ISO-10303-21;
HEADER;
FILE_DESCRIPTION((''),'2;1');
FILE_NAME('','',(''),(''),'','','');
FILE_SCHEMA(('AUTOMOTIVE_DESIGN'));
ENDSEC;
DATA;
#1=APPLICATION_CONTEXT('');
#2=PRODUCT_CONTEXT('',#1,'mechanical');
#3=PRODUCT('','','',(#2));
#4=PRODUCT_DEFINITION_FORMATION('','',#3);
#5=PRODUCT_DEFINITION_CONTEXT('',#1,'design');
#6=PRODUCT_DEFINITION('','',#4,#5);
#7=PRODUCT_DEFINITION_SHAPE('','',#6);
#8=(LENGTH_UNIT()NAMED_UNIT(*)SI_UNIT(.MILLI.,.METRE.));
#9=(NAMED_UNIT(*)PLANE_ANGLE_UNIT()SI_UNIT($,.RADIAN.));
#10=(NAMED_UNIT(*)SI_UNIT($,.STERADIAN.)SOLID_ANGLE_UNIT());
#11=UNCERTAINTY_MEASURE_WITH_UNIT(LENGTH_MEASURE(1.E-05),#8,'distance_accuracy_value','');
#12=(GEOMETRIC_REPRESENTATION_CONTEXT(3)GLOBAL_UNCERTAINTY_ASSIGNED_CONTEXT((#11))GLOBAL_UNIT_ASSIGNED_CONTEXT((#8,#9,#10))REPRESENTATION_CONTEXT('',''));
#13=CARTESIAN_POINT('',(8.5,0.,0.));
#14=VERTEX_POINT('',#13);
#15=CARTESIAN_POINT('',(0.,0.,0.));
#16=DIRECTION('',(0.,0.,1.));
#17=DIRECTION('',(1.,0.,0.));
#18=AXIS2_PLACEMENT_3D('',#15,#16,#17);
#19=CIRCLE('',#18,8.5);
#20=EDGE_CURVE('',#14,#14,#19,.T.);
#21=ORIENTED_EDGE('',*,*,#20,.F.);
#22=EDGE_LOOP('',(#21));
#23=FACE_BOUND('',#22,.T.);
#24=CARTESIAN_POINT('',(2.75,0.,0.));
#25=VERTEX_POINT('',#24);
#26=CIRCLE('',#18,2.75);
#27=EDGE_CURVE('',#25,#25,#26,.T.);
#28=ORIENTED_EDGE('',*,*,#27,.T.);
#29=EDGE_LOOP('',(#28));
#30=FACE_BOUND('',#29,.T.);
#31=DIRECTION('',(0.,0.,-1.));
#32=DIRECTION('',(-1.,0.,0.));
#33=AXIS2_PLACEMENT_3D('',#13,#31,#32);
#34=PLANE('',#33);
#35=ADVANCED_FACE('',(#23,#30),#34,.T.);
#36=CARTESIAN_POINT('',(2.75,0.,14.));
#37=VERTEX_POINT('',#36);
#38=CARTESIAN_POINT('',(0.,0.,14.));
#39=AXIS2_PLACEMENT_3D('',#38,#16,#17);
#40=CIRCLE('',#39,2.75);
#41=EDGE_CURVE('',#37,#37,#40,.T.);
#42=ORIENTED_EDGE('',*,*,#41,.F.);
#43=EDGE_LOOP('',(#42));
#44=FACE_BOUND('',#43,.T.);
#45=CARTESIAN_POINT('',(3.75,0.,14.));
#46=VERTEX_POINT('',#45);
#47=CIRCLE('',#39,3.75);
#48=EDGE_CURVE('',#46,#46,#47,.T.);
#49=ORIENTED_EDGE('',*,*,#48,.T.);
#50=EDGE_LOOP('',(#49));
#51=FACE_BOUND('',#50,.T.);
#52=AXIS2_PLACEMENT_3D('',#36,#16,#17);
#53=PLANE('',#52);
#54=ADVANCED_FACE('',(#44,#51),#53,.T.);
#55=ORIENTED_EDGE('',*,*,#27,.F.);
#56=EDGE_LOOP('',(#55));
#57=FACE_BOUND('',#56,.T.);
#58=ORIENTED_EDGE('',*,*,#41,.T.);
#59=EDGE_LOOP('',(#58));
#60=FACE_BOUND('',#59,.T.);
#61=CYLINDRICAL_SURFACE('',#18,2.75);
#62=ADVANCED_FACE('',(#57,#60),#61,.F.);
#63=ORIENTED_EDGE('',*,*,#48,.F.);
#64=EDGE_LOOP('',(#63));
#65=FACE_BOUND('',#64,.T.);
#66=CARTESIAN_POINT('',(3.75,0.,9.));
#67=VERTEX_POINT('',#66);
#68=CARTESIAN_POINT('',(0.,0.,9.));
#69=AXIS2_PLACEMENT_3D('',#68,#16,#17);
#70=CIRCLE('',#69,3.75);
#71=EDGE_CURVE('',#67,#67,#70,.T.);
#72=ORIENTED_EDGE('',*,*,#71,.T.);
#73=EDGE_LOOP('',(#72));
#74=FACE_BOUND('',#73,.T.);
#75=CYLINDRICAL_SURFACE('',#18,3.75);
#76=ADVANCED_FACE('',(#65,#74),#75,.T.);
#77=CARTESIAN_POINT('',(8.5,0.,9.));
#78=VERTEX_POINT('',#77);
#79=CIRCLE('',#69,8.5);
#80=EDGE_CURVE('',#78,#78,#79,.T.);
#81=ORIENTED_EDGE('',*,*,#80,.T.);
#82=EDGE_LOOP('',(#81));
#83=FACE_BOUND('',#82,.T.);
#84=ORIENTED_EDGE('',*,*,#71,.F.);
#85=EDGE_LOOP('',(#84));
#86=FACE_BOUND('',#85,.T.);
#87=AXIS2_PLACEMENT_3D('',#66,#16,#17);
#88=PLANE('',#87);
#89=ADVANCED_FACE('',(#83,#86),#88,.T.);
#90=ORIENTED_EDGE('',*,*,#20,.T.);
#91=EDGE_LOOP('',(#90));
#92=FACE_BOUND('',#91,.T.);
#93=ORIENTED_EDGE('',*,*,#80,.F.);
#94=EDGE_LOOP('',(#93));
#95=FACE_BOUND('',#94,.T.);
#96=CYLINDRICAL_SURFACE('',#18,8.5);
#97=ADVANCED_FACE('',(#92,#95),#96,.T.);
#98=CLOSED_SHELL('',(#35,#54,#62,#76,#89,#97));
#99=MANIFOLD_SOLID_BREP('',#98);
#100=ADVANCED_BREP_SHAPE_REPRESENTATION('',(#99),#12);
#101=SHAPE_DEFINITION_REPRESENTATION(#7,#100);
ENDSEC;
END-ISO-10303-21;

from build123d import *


with BuildPart() as part:
    # Эскиз1 → Повернуть1 (revolve)
    with BuildSketch(Plane(origin=(0, 0, 0), x_dir=(1, 0, 0), z_dir=(0, 1, 0))):
        Polygon((2.75, -14), (3.75, -14), (3.75, -9), (8.5, -9), (8.5, 0), (2.75, 0), align=None)
    revolve(axis=Axis((0, 0, 0), (0, 0, 1)))


solid = part.part
